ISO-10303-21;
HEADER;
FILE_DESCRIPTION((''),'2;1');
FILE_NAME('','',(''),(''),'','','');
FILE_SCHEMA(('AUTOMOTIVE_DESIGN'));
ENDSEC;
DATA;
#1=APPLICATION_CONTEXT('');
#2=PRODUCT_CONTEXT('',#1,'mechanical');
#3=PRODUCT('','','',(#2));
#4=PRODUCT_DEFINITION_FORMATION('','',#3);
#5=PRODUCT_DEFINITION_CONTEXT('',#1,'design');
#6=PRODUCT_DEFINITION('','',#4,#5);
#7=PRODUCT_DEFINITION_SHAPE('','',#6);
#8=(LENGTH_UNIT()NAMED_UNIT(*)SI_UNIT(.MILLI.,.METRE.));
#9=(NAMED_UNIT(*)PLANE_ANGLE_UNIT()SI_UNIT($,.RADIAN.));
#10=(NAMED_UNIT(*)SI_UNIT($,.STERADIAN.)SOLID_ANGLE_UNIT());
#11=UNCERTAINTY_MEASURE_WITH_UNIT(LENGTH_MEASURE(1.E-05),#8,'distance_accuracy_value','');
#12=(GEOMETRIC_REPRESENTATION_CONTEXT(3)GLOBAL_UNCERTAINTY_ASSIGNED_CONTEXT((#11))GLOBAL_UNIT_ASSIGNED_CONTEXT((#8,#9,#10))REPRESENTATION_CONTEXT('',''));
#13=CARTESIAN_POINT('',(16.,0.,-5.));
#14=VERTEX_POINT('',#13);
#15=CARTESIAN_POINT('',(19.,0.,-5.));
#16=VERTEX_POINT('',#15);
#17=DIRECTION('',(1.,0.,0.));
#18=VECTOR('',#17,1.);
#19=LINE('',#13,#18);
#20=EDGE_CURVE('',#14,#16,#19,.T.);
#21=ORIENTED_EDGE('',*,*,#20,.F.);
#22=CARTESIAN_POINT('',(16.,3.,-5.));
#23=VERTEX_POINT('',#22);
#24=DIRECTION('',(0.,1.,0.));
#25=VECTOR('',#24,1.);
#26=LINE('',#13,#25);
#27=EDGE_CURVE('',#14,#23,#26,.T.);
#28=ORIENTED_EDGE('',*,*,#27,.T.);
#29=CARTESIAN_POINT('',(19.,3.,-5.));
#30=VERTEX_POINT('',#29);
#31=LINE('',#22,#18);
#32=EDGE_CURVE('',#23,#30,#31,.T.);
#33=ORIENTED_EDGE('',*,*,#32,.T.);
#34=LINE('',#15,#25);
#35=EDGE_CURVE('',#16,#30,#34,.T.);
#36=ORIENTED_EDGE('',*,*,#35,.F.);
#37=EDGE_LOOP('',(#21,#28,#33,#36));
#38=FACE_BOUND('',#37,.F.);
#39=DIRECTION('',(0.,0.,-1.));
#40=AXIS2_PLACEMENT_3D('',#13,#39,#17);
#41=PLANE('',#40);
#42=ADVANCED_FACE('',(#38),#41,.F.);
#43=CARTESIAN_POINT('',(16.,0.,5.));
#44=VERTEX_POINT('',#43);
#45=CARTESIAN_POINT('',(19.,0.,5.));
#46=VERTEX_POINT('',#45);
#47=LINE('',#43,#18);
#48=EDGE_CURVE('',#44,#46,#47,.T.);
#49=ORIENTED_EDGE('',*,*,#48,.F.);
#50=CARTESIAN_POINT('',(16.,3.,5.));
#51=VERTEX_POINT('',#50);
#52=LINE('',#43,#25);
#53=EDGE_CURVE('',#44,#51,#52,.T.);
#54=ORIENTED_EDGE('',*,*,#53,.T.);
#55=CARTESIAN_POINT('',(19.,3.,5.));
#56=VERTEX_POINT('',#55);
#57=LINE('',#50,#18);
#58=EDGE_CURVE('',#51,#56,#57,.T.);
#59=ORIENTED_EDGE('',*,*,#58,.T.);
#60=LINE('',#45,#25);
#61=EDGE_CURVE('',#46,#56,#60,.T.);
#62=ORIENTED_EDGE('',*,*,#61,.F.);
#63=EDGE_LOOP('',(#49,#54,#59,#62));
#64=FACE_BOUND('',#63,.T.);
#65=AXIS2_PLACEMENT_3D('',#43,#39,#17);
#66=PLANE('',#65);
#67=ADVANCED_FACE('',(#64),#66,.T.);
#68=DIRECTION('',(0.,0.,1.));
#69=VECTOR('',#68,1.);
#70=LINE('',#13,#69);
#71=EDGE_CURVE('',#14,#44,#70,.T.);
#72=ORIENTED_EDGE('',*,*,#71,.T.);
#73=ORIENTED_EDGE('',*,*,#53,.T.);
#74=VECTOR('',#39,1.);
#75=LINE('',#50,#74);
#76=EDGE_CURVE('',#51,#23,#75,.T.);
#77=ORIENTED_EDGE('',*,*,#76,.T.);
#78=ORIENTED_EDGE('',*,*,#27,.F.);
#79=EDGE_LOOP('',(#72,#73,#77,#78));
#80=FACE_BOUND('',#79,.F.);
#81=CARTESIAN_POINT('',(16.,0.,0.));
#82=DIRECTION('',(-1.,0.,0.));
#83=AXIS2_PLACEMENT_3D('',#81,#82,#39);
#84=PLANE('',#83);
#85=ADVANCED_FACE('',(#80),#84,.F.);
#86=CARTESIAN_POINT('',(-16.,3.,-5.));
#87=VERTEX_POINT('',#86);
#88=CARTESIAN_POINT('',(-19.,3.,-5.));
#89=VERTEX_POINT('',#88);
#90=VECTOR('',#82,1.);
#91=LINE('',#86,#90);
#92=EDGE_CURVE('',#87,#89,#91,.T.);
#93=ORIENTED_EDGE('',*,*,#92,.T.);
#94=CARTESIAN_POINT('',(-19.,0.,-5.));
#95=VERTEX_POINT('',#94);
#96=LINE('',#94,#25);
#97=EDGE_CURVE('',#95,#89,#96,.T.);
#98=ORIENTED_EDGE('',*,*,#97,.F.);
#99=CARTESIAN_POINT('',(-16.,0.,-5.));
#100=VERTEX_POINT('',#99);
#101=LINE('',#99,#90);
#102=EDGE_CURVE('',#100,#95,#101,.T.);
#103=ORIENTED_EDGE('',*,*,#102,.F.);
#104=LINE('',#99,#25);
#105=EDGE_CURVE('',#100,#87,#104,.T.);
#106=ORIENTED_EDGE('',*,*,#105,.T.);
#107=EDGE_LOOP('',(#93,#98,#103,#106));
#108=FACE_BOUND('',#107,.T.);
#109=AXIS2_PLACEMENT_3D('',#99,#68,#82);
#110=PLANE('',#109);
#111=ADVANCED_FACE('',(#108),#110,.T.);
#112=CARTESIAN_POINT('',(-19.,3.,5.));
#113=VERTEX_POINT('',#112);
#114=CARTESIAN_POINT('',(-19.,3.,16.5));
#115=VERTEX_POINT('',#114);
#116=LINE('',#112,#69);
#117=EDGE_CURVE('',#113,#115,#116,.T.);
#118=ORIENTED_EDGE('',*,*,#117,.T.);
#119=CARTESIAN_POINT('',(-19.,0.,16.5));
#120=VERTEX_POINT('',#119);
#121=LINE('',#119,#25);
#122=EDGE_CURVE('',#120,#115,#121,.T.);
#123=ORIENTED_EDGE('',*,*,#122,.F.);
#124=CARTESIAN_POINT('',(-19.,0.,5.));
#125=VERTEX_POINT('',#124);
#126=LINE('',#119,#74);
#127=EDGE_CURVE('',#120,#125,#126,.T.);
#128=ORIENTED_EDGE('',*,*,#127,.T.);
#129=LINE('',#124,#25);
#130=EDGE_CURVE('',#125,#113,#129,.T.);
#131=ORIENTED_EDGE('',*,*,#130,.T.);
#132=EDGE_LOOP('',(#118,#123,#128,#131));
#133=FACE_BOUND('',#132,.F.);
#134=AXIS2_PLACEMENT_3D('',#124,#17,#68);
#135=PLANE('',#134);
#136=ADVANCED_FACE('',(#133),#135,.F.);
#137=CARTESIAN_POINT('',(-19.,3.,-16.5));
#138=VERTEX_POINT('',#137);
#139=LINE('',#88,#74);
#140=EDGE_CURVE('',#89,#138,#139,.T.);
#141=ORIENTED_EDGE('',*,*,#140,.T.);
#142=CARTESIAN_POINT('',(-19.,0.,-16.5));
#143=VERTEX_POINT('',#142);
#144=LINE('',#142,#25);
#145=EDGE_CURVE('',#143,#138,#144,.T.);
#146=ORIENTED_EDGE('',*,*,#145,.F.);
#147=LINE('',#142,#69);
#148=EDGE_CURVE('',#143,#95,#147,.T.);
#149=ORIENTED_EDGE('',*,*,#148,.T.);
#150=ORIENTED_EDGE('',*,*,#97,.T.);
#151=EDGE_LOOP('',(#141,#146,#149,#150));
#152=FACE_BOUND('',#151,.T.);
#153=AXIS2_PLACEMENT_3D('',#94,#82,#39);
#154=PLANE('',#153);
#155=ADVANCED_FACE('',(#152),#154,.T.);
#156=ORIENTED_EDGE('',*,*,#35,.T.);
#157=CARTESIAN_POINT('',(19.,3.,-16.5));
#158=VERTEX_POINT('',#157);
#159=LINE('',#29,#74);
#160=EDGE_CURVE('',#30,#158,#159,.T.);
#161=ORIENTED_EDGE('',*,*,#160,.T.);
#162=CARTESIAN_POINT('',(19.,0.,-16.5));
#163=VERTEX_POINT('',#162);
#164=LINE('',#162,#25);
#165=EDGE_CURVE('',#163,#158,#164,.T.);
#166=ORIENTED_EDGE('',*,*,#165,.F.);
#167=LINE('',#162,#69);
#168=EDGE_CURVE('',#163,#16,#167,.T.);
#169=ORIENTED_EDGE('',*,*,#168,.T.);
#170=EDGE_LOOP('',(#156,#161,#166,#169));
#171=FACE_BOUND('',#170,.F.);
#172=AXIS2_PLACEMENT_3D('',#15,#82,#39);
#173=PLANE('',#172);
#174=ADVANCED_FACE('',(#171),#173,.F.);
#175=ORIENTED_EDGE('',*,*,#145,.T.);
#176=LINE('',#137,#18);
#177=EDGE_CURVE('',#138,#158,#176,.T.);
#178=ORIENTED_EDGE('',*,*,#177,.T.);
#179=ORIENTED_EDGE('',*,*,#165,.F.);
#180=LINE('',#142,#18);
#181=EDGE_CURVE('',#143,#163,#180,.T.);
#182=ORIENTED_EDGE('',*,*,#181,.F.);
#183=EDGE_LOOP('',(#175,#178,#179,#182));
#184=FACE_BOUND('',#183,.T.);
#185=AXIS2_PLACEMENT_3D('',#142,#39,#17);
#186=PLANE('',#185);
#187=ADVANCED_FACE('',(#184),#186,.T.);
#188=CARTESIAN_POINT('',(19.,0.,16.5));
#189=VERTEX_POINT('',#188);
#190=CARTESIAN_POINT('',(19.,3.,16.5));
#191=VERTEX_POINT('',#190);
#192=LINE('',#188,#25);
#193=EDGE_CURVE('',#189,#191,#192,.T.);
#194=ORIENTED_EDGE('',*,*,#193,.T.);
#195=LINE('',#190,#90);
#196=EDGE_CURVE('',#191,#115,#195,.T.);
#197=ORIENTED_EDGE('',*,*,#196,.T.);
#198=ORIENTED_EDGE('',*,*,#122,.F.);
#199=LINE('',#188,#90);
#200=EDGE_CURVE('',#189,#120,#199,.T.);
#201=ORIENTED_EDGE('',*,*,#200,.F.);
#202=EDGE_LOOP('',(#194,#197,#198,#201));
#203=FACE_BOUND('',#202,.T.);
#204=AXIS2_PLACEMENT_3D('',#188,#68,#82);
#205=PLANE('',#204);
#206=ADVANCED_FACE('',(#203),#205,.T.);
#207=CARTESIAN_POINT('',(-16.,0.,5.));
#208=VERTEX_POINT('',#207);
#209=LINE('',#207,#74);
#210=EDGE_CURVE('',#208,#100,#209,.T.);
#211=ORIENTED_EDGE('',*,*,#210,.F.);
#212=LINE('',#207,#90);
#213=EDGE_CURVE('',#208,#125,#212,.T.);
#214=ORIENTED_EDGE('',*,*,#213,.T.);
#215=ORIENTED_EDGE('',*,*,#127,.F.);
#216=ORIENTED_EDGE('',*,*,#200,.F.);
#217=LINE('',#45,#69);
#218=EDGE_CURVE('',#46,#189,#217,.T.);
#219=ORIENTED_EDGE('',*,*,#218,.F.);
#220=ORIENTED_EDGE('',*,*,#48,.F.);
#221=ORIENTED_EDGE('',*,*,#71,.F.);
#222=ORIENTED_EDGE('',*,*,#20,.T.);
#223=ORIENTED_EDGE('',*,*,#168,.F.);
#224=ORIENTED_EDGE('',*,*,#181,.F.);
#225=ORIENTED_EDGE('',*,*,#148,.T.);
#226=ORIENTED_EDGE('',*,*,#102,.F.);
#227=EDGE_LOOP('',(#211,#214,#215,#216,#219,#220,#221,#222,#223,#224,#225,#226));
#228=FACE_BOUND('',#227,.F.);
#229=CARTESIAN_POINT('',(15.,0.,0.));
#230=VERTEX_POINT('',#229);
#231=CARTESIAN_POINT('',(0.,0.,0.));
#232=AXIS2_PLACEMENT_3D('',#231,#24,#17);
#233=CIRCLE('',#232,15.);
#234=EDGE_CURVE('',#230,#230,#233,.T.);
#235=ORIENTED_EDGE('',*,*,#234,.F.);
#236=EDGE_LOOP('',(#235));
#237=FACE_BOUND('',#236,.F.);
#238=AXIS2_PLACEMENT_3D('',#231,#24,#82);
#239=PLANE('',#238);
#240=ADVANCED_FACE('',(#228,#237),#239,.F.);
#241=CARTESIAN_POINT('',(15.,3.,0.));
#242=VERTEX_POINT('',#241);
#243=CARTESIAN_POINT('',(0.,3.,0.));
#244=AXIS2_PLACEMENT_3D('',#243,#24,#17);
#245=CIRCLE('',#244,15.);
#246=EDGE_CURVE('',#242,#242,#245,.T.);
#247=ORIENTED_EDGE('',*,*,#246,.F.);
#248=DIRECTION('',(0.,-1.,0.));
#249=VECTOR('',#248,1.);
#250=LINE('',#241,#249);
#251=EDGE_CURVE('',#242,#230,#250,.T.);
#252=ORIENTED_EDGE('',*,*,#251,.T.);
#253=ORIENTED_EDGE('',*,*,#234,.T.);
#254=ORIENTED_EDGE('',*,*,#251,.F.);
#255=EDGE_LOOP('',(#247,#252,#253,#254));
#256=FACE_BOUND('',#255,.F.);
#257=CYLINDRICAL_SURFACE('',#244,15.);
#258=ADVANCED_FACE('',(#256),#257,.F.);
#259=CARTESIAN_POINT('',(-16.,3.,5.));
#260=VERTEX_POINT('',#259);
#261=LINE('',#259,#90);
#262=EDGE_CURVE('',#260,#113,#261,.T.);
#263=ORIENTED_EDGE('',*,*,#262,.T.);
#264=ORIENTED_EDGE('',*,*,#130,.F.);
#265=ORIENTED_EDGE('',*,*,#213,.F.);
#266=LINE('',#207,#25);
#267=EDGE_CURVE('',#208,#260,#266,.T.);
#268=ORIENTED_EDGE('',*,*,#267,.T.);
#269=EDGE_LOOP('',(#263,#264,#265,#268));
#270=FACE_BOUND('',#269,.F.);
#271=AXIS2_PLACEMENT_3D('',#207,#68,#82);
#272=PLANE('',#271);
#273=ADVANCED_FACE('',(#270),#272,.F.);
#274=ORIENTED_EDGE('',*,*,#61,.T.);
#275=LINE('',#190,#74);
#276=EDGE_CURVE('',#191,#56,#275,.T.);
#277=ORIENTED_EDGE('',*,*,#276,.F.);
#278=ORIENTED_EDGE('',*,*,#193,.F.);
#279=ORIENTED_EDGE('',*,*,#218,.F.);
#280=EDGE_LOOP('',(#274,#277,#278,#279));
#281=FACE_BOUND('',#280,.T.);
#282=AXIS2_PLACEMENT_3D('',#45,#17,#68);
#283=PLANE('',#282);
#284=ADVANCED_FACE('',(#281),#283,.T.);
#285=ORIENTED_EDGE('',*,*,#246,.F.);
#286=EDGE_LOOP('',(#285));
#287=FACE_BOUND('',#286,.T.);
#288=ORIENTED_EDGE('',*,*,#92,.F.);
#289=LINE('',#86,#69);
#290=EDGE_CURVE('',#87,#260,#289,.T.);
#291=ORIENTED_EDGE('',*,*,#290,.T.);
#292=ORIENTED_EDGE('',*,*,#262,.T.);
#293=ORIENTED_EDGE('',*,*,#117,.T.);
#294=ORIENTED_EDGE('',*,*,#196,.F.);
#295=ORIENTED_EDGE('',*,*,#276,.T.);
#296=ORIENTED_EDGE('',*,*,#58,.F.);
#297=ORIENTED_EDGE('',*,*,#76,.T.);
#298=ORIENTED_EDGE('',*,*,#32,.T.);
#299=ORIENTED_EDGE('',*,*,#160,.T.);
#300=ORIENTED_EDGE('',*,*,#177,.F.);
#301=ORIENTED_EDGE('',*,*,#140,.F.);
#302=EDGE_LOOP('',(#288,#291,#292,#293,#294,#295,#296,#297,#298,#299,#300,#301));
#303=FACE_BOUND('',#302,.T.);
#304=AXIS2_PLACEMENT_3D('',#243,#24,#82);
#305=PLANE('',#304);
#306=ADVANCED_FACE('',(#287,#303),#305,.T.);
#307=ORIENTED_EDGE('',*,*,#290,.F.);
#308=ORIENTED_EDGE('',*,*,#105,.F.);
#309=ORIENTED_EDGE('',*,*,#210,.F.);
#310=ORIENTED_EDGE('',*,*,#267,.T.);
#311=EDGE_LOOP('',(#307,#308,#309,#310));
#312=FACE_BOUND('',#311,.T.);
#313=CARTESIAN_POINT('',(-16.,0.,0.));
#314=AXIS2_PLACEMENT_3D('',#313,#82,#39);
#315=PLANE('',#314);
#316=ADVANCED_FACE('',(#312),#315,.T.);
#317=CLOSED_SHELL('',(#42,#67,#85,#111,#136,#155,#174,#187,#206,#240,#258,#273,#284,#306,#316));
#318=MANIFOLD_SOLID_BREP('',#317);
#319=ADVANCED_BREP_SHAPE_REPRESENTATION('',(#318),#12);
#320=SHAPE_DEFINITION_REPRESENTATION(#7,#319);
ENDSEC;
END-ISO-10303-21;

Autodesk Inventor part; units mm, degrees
ref_plane "YZ Plane" through (0, 0, 0) normal (1, 0, 0) x (0, 1, 0)
ref_plane "XZ Plane" through (0, 0, 0) normal (0, 1, 0) x (-1, 0, 0)
ref_plane "XY Plane" through (0, 0, 0) normal (0, 0, 1) x (1, 0, 0)
sketch "Sketch1" plane through (0, 0, 0) normal (0, 1, 0) x (-1, 0, 0)
  line L0 (0, 0) -> (19, 0) construction
  line L1 (19, -5) -> (19, -15.5)
  line L2 (19, 0) -> (16, 0) construction
  line L3 (16, 0) -> (16, -5)
  line L4 (16, -5) -> (19, -5)
  circle A0 centre (0, 0) radius 14.5
  line L5 (19, -15.5) -> (0, -15.5)
  line L6 (0, 0) -> (0, 19.3776) construction
  line L7 (19, 5) -> (19, 15.5)
  line L8 (16, 0) -> (16, 5)
  line L9 (16, 5) -> (19, 5)
  line L10 (19, 15.5) -> (0, 15.5)
  line L11 (0, 0) -> (0, -19.3776) construction
  line L12 (-19, -5) -> (-19, -15.5)
  line L13 (-16, 0) -> (-16, -5)
  line L14 (-16, -5) -> (-19, -5)
  line L15 (-19, -15.5) -> (0, -15.5)
  line L16 (-16, 0) -> (-16, 5)
  line L17 (-16, 5) -> (-19, 5)
  line L18 (-19, 5) -> (-19, 15.5)
  line L19 (-19, 15.5) -> (0, 15.5)
  dimension "d1" = 19
  dimension "d2" = 15.5
  dimension "d5" = 5
extrude "Extrusion1" add sketch "Sketch1" along normal blind 3 contours L1 L5 L15 L12 L14 L13 L16 L17 L18 L19 L10 L7 L9 L8 L3 L4 | A0
sketch "Sketch4" plane through (0, 3, 0) normal (0, 1, 0) x (1, 0, 0)
  circle A0 centre (0, 0) radius 15
  dimension "d14" = 30
extrude "Extrusion4" cut sketch "Sketch4" against normal up to surface (3 mm away)
sketch "Sketch5" plane through (0, 0, 0) normal (0, -1, 0) x (1, 0, 0)
  line L0 (19, -15.5) -> (-19, -15.5) projected
  line L1 (-19, -15.5) -> (-19, -16.5)
  line L2 (-19, -16.5) -> (19, -16.5)
  line L3 (19, -16.5) -> (19, -15.5)
  line L4 (-19, 15.5) -> (19, 15.5) projected
  line L5 (19, 15.5) -> (19, 16.5)
  line L6 (19, 16.5) -> (-19, 16.5)
  line L7 (-19, 16.5) -> (-19, 15.5)
  point P0 (0, 0)
  dimension "d17" = 1
  dimension "d18" = 1
extrude "Extrusion5" add sketch "Sketch5" against normal up to surface (3 mm away)
properties part number "SoporteSensor"
